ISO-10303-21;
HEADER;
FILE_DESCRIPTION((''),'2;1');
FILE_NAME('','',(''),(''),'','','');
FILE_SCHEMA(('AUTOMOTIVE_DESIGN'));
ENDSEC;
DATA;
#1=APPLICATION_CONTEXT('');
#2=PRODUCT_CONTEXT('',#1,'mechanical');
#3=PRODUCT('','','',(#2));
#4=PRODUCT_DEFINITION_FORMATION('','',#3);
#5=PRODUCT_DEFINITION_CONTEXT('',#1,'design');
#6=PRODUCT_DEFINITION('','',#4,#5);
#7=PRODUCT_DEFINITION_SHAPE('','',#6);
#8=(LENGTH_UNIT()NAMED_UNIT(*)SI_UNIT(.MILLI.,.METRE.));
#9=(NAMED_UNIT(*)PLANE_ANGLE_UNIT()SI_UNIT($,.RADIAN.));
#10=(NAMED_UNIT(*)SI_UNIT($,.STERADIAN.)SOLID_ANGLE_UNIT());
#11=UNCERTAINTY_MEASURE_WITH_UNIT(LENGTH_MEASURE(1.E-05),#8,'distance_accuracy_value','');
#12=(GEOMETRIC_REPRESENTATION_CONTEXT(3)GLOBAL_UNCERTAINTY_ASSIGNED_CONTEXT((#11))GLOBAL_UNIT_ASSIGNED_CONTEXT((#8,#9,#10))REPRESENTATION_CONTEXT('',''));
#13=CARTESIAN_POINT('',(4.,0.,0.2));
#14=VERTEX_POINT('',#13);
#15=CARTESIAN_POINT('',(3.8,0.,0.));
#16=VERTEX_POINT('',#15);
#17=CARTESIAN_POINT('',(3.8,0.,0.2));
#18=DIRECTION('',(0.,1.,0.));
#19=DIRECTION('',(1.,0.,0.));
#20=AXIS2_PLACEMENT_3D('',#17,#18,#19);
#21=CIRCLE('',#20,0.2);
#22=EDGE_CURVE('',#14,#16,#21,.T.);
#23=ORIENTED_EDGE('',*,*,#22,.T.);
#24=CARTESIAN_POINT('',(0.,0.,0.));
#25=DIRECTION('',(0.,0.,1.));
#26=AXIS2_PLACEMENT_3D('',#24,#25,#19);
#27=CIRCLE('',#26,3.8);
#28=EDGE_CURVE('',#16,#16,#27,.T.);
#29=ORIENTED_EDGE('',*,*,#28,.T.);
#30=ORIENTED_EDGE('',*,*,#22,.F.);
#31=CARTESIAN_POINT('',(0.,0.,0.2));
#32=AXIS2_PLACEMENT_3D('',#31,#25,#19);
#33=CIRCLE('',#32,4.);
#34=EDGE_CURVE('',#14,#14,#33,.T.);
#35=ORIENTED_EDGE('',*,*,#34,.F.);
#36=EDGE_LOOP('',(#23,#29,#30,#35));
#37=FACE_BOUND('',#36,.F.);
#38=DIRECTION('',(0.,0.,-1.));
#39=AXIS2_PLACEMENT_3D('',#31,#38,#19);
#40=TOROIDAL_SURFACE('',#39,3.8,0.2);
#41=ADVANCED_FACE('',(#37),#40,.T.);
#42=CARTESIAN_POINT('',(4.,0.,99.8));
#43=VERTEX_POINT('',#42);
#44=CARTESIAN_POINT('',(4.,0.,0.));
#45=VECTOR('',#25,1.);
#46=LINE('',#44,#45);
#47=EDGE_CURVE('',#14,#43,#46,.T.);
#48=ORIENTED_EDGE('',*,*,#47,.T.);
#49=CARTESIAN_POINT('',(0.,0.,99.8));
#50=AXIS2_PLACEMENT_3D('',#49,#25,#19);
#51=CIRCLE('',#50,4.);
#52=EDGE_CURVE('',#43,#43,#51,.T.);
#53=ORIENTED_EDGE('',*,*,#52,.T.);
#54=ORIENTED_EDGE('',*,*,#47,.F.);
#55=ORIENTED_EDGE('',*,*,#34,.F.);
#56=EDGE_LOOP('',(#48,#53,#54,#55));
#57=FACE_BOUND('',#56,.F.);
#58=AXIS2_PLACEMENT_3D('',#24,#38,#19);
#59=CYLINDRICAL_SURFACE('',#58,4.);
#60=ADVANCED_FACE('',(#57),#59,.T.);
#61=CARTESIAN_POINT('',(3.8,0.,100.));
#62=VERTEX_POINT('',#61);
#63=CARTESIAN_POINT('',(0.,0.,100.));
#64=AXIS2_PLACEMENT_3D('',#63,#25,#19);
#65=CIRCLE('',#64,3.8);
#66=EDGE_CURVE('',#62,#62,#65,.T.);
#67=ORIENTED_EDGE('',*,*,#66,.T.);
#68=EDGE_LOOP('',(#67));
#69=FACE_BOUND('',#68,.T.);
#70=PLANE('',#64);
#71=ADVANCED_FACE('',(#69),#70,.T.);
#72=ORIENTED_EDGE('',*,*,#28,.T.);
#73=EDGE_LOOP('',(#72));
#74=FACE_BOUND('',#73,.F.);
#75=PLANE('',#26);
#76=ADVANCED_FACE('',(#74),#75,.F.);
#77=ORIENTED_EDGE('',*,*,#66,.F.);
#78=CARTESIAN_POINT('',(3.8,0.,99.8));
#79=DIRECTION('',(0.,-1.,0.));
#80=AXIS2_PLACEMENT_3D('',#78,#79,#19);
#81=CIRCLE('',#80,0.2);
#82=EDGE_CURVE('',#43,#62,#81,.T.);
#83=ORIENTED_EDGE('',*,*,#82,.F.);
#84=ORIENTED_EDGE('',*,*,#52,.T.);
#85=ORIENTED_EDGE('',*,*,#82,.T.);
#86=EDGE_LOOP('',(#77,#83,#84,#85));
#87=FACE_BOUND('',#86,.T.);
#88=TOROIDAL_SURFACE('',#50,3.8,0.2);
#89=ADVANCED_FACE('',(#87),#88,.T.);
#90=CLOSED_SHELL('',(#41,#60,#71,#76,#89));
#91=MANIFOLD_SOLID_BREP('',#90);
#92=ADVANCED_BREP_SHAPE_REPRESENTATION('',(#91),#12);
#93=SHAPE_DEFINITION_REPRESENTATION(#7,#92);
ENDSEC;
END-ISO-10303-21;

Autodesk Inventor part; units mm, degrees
ref_plane "YZ Plane" through (0, 0, 0) normal (1, 0, 0) x (0, 1, 0)
ref_plane "XZ Plane" through (0, 0, 0) normal (0, 1, 0) x (-1, 0, 0)
ref_plane "XY Plane" through (0, 0, 0) normal (0, 0, 1) x (1, 0, 0)
sketch "Sketch1" plane through (0, 0, 0) normal (0, 0, 1) x (1, 0, 0)
  circle A0 centre (0, 0) radius 4
  dimension "d0" = 8
extrude "Extrusion1" add sketch "Sketch1" along normal blind 100
fillet "Fillet1" radius 0.2 2 edges at (-4, 0, 100) (-4, 0, 0)
properties part number "Veio_D8mm_L100mm" material "Lead"
